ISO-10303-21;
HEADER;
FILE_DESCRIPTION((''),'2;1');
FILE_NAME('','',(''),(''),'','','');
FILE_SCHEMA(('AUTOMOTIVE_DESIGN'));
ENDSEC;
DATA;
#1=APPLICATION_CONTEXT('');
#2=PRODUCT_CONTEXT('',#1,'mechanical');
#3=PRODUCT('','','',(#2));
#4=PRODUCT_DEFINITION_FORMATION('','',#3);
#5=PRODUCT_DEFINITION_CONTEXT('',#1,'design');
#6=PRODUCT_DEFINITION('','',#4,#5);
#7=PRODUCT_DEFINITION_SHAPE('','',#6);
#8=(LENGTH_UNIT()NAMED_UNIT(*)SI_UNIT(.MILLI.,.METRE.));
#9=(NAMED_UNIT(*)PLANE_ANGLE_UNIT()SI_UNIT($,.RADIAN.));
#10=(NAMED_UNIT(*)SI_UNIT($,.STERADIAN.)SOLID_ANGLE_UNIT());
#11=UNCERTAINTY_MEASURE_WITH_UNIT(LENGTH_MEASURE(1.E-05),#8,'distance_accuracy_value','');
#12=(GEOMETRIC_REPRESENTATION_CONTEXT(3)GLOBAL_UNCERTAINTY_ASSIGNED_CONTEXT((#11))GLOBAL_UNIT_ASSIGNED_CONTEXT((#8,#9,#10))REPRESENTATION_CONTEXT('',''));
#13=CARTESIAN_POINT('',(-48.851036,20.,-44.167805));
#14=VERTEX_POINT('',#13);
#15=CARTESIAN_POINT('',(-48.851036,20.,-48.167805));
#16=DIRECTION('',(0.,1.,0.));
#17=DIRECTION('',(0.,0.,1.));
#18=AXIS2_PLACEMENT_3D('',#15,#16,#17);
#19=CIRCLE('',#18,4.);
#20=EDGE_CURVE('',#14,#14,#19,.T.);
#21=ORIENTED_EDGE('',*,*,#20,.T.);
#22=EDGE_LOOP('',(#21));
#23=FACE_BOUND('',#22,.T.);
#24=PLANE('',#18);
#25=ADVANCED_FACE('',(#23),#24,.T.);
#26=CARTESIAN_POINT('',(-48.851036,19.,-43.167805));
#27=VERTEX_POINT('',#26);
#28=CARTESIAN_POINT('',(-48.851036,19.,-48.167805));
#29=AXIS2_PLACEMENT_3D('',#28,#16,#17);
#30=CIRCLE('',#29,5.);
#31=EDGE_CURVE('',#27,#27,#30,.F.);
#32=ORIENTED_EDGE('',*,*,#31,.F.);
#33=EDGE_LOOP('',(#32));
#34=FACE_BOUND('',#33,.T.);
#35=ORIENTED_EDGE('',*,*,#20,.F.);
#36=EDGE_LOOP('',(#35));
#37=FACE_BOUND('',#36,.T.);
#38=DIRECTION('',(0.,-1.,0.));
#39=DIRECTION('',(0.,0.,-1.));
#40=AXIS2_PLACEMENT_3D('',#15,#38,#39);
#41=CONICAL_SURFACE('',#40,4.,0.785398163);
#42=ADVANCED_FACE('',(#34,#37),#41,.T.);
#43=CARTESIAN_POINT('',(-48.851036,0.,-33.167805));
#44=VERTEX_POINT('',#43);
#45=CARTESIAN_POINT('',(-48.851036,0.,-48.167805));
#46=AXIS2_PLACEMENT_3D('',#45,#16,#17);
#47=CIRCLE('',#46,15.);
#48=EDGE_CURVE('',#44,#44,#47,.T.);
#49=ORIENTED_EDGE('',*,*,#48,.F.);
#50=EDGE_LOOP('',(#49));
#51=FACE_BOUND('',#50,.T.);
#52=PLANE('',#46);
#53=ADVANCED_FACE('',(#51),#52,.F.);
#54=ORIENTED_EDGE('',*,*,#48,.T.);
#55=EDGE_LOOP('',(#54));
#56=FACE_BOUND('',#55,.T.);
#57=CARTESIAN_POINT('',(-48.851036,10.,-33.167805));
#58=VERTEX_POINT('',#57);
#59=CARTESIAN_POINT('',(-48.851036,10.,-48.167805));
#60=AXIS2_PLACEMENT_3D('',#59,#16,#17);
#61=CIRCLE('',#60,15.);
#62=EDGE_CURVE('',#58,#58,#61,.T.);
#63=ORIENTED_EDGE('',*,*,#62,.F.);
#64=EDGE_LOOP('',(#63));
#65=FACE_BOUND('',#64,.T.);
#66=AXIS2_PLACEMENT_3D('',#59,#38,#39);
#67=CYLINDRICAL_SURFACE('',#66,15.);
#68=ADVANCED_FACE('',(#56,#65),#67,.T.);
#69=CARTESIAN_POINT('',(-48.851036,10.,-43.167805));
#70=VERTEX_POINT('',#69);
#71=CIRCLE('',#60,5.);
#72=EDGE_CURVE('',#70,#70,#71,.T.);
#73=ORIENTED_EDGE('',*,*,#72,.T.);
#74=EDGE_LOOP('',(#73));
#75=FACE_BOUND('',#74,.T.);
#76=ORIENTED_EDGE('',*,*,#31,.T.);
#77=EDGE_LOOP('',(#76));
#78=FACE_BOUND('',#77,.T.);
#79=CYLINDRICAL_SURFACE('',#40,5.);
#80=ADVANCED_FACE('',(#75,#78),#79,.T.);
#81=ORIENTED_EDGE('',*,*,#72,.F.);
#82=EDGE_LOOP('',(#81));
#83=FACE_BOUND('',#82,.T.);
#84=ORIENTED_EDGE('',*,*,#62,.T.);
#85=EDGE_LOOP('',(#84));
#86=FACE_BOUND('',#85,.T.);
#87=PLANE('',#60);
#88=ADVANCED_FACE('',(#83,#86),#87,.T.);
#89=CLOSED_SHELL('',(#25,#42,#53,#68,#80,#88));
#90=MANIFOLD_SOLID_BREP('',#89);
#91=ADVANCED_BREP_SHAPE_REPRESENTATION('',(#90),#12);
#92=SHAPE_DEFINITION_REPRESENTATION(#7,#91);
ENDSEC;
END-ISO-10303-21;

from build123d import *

# Parameters (mm, degrees)
SKETCH1_R           = 15
BOSS_EXTRUDE1_DEPTH = 10
SKETCH2_R           = 5
BOSS_EXTRUDE2_DEPTH = 10
CHAMFER1_SIZE       = 1


with BuildPart() as part:
    # Sketch1 → Boss-Extrude1 (new body)
    with BuildSketch(Plane(origin=(0, 0, 0), x_dir=(1, 0, 0), z_dir=(0, 1, 0))):
        with Locations(Location((-48.851036378, 48.1678051, 0), (0, 0, 270))):
            Circle(SKETCH1_R)
    extrude(amount=BOSS_EXTRUDE1_DEPTH)

    # Sketch2 → Boss-Extrude2 (add)
    with BuildSketch(Plane(origin=(0, 10, 0), x_dir=(1, 0, 0), z_dir=(0, 1, 0))):
        with Locations(Location((-48.851036378, 48.1678051, 0), (0, 0, 270))):
            Circle(SKETCH2_R)
    extrude(amount=BOSS_EXTRUDE2_DEPTH)

    # Chamfer1
    chamfer1_edges = [part.edges().sort_by_distance(p)[0] for p in [
        (-48.851036378, 20, -53.1678051),
    ]]
    chamfer(chamfer1_edges, length=CHAMFER1_SIZE)


solid = part.part
